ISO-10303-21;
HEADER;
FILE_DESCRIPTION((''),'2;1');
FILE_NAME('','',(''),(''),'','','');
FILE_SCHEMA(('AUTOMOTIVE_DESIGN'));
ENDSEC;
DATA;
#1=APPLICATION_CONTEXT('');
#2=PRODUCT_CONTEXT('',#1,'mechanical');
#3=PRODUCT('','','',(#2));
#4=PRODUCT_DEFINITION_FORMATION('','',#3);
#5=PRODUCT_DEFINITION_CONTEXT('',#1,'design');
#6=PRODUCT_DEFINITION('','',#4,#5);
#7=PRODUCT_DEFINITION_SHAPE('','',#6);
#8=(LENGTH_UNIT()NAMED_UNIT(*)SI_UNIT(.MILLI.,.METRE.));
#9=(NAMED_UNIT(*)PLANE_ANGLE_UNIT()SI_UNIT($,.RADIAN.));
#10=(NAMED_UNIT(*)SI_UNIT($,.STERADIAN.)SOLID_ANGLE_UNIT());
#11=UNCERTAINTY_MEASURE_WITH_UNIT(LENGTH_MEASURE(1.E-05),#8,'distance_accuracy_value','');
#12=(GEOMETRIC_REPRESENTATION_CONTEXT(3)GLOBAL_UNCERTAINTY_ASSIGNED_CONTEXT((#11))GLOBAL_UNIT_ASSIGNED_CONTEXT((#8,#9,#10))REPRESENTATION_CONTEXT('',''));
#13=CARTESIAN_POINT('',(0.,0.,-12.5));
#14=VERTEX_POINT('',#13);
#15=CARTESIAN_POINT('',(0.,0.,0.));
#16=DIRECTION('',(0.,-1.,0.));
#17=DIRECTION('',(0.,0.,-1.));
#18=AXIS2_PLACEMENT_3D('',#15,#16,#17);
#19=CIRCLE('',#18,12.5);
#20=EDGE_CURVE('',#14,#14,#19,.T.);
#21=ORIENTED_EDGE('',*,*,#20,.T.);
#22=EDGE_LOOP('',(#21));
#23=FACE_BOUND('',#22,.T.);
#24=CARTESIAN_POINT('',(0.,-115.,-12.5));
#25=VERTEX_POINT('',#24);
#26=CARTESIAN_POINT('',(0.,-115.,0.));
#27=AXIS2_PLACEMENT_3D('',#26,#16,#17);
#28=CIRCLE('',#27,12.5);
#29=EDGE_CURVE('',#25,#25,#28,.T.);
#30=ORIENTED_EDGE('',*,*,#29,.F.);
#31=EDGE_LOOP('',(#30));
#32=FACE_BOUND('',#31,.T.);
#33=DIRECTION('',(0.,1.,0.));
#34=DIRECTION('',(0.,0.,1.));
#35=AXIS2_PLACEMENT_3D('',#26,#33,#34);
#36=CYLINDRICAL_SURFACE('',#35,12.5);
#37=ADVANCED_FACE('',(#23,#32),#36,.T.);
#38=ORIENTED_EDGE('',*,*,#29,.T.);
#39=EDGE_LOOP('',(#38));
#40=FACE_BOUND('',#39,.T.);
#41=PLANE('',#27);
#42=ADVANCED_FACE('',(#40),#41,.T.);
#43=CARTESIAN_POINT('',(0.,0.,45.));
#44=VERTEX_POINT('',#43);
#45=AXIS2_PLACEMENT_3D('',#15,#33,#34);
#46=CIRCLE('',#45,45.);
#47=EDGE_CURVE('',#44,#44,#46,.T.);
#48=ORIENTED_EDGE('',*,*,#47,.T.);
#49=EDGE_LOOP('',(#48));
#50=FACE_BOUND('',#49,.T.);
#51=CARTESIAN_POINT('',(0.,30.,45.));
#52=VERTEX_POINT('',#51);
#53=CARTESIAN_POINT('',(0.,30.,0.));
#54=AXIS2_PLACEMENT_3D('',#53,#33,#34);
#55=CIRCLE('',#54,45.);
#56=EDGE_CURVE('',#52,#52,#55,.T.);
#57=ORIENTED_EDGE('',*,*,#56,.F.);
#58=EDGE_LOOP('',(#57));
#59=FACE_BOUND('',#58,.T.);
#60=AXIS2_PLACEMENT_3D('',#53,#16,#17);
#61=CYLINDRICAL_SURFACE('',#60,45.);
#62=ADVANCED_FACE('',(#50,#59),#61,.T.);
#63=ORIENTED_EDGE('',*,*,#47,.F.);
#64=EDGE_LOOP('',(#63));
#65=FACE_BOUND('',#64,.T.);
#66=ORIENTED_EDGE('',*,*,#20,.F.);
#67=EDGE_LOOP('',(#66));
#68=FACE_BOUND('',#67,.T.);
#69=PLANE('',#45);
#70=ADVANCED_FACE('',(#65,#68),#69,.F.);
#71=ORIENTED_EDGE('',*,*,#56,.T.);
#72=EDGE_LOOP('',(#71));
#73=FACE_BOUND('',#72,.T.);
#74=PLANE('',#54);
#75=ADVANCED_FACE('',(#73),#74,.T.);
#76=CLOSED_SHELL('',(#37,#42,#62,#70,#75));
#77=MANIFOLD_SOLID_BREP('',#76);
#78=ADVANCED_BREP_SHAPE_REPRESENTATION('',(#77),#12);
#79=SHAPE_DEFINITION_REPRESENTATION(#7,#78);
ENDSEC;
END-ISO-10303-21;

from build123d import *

# Parameters (mm, degrees)
SKETCH1_R           = 45
BOSS_EXTRUDE1_DEPTH = 30
SKETCH2_R           = 12.5
BOSS_EXTRUDE2_DEPTH = 115


with BuildPart() as part:
    # Sketch1 → Boss-Extrude1 (new body)
    with BuildSketch(Plane(origin=(0, 0, 0), x_dir=(1, 0, 0), z_dir=(0, 1, 0))):
        with Locations(Location((0, 0, 0), (0, 0, 270))):
            Circle(SKETCH1_R)
    extrude(amount=BOSS_EXTRUDE1_DEPTH)

    # Sketch2 → Boss-Extrude2 (add)
    with BuildSketch(Plane.XZ):
        with Locations(Location((0, 0, 0), (0, 0, 270))):
            Circle(SKETCH2_R)
    extrude(amount=BOSS_EXTRUDE2_DEPTH)


solid = part.part
